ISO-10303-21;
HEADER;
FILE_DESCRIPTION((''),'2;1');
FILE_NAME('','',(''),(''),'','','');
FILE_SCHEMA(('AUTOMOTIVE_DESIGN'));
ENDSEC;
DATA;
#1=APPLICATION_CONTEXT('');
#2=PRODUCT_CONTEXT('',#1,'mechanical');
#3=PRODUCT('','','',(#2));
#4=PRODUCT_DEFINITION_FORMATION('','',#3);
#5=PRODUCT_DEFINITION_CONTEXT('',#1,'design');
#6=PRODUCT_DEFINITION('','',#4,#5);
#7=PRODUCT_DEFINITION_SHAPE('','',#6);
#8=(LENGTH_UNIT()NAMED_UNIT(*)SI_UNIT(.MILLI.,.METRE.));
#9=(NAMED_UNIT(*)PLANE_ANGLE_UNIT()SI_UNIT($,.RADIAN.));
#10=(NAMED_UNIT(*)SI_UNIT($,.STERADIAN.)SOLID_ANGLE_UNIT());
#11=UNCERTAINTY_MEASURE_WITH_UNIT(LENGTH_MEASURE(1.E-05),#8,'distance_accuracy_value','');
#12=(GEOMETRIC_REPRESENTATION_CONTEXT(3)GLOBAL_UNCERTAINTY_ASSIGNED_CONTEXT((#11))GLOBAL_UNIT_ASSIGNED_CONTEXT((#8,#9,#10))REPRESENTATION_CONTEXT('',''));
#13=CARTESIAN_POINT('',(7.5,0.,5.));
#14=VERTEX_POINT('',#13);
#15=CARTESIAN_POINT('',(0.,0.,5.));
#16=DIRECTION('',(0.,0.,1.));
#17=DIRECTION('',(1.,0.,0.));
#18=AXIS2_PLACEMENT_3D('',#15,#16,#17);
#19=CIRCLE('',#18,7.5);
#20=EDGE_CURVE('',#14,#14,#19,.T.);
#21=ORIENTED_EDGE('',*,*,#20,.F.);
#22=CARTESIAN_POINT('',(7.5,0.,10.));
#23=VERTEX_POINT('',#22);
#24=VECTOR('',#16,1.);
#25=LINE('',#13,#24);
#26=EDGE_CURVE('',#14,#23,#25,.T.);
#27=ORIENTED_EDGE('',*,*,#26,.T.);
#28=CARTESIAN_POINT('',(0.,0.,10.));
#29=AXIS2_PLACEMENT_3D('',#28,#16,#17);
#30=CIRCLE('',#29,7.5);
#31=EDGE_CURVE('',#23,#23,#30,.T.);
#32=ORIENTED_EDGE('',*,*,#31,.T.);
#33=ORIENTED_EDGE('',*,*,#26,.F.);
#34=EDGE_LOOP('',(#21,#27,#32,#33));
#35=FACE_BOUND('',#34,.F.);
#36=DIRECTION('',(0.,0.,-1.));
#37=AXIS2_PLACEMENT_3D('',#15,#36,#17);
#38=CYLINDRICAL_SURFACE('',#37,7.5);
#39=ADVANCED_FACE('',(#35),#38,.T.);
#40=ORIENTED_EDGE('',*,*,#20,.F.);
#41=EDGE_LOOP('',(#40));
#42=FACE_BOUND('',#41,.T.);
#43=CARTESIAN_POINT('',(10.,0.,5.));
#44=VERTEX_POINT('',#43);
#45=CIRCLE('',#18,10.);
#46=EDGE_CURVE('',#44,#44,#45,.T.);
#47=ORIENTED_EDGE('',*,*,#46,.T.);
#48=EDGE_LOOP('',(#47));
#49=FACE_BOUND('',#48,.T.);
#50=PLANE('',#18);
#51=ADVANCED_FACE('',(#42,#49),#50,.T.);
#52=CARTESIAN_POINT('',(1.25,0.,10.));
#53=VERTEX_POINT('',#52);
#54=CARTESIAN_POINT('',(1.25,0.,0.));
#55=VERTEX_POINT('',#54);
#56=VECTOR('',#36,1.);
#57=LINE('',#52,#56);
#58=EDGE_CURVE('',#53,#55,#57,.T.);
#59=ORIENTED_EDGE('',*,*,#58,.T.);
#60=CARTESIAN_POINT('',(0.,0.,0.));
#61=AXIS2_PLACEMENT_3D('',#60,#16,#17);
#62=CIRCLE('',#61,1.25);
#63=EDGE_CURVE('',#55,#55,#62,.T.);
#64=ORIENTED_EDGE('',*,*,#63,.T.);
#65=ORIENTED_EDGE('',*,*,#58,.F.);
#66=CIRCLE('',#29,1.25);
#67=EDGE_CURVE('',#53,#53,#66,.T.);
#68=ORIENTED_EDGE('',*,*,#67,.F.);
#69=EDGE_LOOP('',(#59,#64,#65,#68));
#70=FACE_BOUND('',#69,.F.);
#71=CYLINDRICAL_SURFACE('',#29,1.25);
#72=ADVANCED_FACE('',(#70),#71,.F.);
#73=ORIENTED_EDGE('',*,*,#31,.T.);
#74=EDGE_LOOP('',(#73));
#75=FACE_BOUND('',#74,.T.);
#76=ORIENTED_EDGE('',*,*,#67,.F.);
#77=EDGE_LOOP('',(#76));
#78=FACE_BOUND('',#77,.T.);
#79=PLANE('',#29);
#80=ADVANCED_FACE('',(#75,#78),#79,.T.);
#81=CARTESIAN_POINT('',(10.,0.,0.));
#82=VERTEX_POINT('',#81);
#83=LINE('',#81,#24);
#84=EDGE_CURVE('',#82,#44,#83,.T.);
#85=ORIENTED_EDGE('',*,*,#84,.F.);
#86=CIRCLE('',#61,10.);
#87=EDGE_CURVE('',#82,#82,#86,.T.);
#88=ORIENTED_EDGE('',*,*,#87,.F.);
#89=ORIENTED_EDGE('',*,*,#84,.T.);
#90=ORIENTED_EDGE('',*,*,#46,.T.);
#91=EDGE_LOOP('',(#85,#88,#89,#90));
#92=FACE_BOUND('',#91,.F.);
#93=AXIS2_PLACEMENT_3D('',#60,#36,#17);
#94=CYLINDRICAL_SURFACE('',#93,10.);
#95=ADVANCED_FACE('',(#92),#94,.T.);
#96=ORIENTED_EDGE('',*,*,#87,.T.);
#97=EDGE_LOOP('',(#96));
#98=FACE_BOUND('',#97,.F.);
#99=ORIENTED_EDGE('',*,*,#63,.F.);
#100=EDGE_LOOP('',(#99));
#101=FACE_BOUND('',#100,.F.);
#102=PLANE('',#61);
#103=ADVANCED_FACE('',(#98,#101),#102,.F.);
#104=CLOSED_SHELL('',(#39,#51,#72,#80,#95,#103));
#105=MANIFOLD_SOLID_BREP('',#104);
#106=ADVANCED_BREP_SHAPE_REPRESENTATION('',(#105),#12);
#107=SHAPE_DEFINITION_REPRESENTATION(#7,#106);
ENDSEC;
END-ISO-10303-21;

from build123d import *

# Parameters (mm, degrees)
F0_R     = 10
F0_R_2   = 7.5
F1_DEPTH = 5
F2_R     = 7.5
F3_DEPTH = 5
F4_R     = 1.25
F5_DEPTH = 25.4


with BuildPart() as f1:
    # F0 (on Top) → F1 (new body)
    with BuildSketch(Plane.XY):
        Circle(F0_R)
        Circle(F0_R_2, mode=Mode.SUBTRACT)
        Circle(F0_R_2)
    extrude(amount=F1_DEPTH)

    # F2 (on face) → F3 (join)
    with BuildSketch(Plane.XY.offset(5)):
        Circle(F2_R)
    extrude(amount=F3_DEPTH)

    # F4 (on face) → F5 (cut)
    with BuildSketch(Plane.XY.offset(10)):
        Circle(F4_R)
    extrude(amount=-F5_DEPTH, mode=Mode.SUBTRACT)


solid = f1.part
